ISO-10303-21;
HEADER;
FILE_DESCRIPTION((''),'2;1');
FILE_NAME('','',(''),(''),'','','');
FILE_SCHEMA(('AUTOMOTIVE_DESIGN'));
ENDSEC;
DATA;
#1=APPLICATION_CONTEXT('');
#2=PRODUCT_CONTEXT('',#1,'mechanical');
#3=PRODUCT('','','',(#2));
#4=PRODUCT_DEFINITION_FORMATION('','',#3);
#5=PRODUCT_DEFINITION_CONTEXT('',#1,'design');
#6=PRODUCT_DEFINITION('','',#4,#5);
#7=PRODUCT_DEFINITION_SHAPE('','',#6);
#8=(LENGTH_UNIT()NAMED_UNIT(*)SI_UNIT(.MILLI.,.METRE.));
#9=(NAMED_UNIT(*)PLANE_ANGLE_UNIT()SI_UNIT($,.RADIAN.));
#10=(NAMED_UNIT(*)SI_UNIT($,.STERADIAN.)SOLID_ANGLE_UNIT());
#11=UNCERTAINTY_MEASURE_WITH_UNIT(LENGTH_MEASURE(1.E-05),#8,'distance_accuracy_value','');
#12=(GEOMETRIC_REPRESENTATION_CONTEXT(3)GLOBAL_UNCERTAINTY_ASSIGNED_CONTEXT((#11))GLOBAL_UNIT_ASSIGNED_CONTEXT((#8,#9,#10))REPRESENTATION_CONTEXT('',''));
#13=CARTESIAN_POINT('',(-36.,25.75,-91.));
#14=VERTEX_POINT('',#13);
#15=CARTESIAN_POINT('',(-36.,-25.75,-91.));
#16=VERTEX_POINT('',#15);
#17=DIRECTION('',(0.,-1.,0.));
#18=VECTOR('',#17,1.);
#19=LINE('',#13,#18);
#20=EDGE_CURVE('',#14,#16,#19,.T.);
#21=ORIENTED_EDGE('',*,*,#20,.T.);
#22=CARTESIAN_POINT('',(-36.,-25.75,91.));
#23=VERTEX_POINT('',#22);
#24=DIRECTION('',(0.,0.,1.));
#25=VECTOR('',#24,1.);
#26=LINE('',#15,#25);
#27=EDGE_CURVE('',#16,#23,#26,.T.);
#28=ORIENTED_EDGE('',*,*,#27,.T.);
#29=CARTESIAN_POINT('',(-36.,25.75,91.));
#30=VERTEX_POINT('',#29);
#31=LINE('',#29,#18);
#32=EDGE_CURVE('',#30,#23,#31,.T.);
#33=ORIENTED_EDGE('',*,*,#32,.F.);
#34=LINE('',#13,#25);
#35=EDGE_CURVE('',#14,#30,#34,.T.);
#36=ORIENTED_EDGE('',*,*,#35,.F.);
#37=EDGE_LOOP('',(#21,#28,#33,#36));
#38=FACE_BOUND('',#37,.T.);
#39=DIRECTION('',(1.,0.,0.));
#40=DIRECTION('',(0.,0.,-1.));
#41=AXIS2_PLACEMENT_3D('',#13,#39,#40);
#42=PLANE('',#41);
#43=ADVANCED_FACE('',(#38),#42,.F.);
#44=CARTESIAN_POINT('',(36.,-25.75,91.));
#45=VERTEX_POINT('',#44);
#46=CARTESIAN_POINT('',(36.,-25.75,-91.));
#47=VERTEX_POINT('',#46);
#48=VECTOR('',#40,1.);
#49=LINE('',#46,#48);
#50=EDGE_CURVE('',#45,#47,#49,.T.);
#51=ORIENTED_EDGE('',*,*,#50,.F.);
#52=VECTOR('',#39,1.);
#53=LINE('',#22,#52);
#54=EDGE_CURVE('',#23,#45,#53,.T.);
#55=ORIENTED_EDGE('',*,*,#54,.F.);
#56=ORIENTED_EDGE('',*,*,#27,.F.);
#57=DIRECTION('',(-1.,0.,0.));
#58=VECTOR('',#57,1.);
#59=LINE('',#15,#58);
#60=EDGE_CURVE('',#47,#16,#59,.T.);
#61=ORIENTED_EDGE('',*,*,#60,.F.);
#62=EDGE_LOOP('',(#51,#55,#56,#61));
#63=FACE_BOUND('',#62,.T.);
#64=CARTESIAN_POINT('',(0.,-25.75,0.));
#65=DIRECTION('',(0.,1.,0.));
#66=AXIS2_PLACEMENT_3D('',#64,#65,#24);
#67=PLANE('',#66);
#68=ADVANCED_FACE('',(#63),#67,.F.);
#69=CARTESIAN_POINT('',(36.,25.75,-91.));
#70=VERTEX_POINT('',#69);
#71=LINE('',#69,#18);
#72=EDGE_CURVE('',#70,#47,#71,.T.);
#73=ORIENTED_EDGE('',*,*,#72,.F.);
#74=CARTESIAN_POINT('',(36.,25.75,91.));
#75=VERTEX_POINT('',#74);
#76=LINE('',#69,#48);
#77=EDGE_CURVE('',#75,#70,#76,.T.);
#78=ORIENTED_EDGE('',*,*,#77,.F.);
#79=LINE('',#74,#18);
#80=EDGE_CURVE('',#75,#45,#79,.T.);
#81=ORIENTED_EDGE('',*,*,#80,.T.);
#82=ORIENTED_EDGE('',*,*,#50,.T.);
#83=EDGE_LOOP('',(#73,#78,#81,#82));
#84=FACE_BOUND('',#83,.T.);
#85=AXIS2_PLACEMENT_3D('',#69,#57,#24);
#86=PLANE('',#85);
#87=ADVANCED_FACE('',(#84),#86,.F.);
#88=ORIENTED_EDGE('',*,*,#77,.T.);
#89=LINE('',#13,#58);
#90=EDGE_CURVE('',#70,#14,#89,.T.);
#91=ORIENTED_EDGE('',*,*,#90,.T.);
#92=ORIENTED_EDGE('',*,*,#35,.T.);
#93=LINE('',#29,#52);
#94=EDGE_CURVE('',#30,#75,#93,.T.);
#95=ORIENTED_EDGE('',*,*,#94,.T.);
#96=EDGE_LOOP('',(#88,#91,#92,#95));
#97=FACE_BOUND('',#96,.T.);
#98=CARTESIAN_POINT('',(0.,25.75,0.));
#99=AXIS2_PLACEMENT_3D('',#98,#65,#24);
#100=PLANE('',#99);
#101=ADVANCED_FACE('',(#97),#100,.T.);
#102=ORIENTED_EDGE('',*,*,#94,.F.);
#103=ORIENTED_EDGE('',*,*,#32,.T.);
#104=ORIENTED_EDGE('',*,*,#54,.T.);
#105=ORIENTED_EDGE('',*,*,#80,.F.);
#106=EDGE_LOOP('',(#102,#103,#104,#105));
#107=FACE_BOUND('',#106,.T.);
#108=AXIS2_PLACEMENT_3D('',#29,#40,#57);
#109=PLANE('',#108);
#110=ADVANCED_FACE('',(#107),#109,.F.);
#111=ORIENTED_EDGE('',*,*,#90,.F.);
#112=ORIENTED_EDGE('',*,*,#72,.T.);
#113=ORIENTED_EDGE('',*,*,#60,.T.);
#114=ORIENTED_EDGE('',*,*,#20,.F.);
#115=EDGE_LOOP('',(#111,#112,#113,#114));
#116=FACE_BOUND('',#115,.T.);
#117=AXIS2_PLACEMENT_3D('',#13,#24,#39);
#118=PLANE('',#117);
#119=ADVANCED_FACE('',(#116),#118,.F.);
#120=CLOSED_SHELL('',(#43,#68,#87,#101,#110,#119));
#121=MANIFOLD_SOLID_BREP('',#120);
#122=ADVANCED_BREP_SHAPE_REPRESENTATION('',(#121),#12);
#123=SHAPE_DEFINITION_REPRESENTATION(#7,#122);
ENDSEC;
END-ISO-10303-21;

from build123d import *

# Parameters (mm, degrees)
SKETCH1_W           = 72
SKETCH1_H           = 182
BOSS_EXTRUDE1_DEPTH = 25.75


with BuildPart() as part:
    # Sketch1 → Boss-Extrude1 (new, symmetric)
    with BuildSketch(Plane(origin=(0, 0, 0), x_dir=(1, 0, 0), z_dir=(0, 1, 0))):
        Rectangle(SKETCH1_W, SKETCH1_H)
    extrude(amount=BOSS_EXTRUDE1_DEPTH, both=True)


solid = part.part
